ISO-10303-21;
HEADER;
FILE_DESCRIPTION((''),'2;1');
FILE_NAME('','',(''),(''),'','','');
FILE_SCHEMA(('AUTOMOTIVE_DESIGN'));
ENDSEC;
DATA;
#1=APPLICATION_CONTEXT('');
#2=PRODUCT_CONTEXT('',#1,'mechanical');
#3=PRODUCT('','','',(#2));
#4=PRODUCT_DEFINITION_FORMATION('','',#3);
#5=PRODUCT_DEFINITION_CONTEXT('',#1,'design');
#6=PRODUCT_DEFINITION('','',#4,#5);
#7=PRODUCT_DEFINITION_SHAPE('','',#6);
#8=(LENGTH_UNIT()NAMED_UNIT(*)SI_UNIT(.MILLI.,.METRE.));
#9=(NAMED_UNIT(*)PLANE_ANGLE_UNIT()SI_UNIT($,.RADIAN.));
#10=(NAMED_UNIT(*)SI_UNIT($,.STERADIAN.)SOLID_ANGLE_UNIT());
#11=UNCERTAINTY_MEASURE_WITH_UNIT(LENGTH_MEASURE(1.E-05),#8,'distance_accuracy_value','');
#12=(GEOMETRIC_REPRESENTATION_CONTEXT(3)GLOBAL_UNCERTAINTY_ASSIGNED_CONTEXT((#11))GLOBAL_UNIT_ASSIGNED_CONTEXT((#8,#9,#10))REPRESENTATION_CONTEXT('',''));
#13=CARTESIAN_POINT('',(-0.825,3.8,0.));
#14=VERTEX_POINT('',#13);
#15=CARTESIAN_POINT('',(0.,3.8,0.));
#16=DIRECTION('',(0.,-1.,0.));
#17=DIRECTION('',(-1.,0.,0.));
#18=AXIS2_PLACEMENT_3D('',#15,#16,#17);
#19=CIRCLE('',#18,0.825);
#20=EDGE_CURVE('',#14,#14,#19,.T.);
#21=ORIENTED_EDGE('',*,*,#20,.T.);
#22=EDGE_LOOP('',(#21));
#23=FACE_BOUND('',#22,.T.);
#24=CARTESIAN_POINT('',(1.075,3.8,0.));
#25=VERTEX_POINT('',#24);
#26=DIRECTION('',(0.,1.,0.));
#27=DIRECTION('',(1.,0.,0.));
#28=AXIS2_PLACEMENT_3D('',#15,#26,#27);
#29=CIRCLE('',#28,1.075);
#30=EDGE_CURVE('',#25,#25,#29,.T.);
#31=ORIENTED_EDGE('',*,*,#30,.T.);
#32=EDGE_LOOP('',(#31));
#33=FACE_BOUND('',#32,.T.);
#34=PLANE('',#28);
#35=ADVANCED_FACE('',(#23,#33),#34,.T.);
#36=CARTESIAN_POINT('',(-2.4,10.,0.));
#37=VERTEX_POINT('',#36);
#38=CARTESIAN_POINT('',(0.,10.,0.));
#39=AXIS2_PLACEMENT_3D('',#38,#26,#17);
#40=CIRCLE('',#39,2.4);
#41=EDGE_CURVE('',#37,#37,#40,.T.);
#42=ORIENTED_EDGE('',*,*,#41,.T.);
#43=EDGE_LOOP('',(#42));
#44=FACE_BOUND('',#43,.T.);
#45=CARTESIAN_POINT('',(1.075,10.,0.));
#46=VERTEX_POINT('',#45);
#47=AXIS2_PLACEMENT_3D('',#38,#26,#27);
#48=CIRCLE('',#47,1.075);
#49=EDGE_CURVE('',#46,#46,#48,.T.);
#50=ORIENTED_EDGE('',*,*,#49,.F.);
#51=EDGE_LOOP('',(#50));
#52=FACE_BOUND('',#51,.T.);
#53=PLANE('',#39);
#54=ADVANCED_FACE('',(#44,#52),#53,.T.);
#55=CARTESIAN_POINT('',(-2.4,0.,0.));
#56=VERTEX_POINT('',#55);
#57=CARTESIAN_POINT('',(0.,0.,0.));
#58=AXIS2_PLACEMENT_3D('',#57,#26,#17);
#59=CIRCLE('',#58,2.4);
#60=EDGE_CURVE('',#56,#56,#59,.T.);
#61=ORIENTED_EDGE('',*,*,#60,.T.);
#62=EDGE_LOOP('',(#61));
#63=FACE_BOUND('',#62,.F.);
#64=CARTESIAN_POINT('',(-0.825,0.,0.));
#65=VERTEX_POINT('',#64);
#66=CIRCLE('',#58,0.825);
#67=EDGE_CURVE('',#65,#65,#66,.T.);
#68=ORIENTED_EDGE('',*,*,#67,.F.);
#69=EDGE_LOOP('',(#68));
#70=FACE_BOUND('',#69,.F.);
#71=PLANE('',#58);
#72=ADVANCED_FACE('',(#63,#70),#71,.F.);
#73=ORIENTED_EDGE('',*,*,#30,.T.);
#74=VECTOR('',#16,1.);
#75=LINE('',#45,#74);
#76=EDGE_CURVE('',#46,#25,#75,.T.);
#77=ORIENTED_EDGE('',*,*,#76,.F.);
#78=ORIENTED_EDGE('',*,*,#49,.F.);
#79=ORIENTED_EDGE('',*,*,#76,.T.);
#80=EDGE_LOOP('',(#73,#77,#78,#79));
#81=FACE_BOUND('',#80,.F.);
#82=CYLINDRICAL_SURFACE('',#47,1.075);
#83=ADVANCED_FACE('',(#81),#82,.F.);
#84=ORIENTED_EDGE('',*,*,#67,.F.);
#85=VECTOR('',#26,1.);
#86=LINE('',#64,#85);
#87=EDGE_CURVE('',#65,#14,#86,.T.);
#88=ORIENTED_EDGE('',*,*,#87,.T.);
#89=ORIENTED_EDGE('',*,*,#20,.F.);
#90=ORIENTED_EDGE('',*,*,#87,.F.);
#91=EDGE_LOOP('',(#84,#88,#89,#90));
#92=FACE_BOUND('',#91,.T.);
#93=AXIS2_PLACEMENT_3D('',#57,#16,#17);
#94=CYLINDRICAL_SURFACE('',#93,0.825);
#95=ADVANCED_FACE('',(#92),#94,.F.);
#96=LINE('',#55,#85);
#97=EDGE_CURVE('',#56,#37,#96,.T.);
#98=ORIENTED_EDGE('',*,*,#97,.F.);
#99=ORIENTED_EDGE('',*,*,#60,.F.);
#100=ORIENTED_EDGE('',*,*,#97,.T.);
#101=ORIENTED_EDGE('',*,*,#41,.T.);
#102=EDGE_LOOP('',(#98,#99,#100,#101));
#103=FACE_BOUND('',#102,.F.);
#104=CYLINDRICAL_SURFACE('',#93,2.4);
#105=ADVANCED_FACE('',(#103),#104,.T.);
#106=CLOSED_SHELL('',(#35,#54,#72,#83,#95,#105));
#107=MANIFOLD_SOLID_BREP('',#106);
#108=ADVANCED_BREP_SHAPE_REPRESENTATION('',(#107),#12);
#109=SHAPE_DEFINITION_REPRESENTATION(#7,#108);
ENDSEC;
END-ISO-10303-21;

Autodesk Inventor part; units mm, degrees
ref_plane "YZ Plane" through (0, 0, 0) normal (1, 0, 0) x (0, 1, 0)
ref_plane "XZ Plane" through (0, 0, 0) normal (0, 1, 0) x (-1, 0, 0)
ref_plane "XY Plane" through (0, 0, 0) normal (0, 0, 1) x (1, 0, 0)
sketch "Sketch1" plane through (0, 0, 0) normal (0, 1, 0) x (-1, 0, 0)
  circle A0 centre (0, 0) radius 2.4
  circle A1 centre (0, 0) radius 0.825
  dimension "d0" = 4.8
  dimension "d1" = 1.65
extrude "Extrusion1" add sketch "Sketch1" along normal blind 10
sketch "Sketch2" plane through (0, 10, 0) normal (0, 1, 0) x (1, 0, 0)
  circle A0 centre (0, 0) radius 1.075
  dimension "d4" = 2.15
extrude "Extrusion2" cut sketch "Sketch2" against normal blind 6.2
properties part number "coupler_3DPrint"
